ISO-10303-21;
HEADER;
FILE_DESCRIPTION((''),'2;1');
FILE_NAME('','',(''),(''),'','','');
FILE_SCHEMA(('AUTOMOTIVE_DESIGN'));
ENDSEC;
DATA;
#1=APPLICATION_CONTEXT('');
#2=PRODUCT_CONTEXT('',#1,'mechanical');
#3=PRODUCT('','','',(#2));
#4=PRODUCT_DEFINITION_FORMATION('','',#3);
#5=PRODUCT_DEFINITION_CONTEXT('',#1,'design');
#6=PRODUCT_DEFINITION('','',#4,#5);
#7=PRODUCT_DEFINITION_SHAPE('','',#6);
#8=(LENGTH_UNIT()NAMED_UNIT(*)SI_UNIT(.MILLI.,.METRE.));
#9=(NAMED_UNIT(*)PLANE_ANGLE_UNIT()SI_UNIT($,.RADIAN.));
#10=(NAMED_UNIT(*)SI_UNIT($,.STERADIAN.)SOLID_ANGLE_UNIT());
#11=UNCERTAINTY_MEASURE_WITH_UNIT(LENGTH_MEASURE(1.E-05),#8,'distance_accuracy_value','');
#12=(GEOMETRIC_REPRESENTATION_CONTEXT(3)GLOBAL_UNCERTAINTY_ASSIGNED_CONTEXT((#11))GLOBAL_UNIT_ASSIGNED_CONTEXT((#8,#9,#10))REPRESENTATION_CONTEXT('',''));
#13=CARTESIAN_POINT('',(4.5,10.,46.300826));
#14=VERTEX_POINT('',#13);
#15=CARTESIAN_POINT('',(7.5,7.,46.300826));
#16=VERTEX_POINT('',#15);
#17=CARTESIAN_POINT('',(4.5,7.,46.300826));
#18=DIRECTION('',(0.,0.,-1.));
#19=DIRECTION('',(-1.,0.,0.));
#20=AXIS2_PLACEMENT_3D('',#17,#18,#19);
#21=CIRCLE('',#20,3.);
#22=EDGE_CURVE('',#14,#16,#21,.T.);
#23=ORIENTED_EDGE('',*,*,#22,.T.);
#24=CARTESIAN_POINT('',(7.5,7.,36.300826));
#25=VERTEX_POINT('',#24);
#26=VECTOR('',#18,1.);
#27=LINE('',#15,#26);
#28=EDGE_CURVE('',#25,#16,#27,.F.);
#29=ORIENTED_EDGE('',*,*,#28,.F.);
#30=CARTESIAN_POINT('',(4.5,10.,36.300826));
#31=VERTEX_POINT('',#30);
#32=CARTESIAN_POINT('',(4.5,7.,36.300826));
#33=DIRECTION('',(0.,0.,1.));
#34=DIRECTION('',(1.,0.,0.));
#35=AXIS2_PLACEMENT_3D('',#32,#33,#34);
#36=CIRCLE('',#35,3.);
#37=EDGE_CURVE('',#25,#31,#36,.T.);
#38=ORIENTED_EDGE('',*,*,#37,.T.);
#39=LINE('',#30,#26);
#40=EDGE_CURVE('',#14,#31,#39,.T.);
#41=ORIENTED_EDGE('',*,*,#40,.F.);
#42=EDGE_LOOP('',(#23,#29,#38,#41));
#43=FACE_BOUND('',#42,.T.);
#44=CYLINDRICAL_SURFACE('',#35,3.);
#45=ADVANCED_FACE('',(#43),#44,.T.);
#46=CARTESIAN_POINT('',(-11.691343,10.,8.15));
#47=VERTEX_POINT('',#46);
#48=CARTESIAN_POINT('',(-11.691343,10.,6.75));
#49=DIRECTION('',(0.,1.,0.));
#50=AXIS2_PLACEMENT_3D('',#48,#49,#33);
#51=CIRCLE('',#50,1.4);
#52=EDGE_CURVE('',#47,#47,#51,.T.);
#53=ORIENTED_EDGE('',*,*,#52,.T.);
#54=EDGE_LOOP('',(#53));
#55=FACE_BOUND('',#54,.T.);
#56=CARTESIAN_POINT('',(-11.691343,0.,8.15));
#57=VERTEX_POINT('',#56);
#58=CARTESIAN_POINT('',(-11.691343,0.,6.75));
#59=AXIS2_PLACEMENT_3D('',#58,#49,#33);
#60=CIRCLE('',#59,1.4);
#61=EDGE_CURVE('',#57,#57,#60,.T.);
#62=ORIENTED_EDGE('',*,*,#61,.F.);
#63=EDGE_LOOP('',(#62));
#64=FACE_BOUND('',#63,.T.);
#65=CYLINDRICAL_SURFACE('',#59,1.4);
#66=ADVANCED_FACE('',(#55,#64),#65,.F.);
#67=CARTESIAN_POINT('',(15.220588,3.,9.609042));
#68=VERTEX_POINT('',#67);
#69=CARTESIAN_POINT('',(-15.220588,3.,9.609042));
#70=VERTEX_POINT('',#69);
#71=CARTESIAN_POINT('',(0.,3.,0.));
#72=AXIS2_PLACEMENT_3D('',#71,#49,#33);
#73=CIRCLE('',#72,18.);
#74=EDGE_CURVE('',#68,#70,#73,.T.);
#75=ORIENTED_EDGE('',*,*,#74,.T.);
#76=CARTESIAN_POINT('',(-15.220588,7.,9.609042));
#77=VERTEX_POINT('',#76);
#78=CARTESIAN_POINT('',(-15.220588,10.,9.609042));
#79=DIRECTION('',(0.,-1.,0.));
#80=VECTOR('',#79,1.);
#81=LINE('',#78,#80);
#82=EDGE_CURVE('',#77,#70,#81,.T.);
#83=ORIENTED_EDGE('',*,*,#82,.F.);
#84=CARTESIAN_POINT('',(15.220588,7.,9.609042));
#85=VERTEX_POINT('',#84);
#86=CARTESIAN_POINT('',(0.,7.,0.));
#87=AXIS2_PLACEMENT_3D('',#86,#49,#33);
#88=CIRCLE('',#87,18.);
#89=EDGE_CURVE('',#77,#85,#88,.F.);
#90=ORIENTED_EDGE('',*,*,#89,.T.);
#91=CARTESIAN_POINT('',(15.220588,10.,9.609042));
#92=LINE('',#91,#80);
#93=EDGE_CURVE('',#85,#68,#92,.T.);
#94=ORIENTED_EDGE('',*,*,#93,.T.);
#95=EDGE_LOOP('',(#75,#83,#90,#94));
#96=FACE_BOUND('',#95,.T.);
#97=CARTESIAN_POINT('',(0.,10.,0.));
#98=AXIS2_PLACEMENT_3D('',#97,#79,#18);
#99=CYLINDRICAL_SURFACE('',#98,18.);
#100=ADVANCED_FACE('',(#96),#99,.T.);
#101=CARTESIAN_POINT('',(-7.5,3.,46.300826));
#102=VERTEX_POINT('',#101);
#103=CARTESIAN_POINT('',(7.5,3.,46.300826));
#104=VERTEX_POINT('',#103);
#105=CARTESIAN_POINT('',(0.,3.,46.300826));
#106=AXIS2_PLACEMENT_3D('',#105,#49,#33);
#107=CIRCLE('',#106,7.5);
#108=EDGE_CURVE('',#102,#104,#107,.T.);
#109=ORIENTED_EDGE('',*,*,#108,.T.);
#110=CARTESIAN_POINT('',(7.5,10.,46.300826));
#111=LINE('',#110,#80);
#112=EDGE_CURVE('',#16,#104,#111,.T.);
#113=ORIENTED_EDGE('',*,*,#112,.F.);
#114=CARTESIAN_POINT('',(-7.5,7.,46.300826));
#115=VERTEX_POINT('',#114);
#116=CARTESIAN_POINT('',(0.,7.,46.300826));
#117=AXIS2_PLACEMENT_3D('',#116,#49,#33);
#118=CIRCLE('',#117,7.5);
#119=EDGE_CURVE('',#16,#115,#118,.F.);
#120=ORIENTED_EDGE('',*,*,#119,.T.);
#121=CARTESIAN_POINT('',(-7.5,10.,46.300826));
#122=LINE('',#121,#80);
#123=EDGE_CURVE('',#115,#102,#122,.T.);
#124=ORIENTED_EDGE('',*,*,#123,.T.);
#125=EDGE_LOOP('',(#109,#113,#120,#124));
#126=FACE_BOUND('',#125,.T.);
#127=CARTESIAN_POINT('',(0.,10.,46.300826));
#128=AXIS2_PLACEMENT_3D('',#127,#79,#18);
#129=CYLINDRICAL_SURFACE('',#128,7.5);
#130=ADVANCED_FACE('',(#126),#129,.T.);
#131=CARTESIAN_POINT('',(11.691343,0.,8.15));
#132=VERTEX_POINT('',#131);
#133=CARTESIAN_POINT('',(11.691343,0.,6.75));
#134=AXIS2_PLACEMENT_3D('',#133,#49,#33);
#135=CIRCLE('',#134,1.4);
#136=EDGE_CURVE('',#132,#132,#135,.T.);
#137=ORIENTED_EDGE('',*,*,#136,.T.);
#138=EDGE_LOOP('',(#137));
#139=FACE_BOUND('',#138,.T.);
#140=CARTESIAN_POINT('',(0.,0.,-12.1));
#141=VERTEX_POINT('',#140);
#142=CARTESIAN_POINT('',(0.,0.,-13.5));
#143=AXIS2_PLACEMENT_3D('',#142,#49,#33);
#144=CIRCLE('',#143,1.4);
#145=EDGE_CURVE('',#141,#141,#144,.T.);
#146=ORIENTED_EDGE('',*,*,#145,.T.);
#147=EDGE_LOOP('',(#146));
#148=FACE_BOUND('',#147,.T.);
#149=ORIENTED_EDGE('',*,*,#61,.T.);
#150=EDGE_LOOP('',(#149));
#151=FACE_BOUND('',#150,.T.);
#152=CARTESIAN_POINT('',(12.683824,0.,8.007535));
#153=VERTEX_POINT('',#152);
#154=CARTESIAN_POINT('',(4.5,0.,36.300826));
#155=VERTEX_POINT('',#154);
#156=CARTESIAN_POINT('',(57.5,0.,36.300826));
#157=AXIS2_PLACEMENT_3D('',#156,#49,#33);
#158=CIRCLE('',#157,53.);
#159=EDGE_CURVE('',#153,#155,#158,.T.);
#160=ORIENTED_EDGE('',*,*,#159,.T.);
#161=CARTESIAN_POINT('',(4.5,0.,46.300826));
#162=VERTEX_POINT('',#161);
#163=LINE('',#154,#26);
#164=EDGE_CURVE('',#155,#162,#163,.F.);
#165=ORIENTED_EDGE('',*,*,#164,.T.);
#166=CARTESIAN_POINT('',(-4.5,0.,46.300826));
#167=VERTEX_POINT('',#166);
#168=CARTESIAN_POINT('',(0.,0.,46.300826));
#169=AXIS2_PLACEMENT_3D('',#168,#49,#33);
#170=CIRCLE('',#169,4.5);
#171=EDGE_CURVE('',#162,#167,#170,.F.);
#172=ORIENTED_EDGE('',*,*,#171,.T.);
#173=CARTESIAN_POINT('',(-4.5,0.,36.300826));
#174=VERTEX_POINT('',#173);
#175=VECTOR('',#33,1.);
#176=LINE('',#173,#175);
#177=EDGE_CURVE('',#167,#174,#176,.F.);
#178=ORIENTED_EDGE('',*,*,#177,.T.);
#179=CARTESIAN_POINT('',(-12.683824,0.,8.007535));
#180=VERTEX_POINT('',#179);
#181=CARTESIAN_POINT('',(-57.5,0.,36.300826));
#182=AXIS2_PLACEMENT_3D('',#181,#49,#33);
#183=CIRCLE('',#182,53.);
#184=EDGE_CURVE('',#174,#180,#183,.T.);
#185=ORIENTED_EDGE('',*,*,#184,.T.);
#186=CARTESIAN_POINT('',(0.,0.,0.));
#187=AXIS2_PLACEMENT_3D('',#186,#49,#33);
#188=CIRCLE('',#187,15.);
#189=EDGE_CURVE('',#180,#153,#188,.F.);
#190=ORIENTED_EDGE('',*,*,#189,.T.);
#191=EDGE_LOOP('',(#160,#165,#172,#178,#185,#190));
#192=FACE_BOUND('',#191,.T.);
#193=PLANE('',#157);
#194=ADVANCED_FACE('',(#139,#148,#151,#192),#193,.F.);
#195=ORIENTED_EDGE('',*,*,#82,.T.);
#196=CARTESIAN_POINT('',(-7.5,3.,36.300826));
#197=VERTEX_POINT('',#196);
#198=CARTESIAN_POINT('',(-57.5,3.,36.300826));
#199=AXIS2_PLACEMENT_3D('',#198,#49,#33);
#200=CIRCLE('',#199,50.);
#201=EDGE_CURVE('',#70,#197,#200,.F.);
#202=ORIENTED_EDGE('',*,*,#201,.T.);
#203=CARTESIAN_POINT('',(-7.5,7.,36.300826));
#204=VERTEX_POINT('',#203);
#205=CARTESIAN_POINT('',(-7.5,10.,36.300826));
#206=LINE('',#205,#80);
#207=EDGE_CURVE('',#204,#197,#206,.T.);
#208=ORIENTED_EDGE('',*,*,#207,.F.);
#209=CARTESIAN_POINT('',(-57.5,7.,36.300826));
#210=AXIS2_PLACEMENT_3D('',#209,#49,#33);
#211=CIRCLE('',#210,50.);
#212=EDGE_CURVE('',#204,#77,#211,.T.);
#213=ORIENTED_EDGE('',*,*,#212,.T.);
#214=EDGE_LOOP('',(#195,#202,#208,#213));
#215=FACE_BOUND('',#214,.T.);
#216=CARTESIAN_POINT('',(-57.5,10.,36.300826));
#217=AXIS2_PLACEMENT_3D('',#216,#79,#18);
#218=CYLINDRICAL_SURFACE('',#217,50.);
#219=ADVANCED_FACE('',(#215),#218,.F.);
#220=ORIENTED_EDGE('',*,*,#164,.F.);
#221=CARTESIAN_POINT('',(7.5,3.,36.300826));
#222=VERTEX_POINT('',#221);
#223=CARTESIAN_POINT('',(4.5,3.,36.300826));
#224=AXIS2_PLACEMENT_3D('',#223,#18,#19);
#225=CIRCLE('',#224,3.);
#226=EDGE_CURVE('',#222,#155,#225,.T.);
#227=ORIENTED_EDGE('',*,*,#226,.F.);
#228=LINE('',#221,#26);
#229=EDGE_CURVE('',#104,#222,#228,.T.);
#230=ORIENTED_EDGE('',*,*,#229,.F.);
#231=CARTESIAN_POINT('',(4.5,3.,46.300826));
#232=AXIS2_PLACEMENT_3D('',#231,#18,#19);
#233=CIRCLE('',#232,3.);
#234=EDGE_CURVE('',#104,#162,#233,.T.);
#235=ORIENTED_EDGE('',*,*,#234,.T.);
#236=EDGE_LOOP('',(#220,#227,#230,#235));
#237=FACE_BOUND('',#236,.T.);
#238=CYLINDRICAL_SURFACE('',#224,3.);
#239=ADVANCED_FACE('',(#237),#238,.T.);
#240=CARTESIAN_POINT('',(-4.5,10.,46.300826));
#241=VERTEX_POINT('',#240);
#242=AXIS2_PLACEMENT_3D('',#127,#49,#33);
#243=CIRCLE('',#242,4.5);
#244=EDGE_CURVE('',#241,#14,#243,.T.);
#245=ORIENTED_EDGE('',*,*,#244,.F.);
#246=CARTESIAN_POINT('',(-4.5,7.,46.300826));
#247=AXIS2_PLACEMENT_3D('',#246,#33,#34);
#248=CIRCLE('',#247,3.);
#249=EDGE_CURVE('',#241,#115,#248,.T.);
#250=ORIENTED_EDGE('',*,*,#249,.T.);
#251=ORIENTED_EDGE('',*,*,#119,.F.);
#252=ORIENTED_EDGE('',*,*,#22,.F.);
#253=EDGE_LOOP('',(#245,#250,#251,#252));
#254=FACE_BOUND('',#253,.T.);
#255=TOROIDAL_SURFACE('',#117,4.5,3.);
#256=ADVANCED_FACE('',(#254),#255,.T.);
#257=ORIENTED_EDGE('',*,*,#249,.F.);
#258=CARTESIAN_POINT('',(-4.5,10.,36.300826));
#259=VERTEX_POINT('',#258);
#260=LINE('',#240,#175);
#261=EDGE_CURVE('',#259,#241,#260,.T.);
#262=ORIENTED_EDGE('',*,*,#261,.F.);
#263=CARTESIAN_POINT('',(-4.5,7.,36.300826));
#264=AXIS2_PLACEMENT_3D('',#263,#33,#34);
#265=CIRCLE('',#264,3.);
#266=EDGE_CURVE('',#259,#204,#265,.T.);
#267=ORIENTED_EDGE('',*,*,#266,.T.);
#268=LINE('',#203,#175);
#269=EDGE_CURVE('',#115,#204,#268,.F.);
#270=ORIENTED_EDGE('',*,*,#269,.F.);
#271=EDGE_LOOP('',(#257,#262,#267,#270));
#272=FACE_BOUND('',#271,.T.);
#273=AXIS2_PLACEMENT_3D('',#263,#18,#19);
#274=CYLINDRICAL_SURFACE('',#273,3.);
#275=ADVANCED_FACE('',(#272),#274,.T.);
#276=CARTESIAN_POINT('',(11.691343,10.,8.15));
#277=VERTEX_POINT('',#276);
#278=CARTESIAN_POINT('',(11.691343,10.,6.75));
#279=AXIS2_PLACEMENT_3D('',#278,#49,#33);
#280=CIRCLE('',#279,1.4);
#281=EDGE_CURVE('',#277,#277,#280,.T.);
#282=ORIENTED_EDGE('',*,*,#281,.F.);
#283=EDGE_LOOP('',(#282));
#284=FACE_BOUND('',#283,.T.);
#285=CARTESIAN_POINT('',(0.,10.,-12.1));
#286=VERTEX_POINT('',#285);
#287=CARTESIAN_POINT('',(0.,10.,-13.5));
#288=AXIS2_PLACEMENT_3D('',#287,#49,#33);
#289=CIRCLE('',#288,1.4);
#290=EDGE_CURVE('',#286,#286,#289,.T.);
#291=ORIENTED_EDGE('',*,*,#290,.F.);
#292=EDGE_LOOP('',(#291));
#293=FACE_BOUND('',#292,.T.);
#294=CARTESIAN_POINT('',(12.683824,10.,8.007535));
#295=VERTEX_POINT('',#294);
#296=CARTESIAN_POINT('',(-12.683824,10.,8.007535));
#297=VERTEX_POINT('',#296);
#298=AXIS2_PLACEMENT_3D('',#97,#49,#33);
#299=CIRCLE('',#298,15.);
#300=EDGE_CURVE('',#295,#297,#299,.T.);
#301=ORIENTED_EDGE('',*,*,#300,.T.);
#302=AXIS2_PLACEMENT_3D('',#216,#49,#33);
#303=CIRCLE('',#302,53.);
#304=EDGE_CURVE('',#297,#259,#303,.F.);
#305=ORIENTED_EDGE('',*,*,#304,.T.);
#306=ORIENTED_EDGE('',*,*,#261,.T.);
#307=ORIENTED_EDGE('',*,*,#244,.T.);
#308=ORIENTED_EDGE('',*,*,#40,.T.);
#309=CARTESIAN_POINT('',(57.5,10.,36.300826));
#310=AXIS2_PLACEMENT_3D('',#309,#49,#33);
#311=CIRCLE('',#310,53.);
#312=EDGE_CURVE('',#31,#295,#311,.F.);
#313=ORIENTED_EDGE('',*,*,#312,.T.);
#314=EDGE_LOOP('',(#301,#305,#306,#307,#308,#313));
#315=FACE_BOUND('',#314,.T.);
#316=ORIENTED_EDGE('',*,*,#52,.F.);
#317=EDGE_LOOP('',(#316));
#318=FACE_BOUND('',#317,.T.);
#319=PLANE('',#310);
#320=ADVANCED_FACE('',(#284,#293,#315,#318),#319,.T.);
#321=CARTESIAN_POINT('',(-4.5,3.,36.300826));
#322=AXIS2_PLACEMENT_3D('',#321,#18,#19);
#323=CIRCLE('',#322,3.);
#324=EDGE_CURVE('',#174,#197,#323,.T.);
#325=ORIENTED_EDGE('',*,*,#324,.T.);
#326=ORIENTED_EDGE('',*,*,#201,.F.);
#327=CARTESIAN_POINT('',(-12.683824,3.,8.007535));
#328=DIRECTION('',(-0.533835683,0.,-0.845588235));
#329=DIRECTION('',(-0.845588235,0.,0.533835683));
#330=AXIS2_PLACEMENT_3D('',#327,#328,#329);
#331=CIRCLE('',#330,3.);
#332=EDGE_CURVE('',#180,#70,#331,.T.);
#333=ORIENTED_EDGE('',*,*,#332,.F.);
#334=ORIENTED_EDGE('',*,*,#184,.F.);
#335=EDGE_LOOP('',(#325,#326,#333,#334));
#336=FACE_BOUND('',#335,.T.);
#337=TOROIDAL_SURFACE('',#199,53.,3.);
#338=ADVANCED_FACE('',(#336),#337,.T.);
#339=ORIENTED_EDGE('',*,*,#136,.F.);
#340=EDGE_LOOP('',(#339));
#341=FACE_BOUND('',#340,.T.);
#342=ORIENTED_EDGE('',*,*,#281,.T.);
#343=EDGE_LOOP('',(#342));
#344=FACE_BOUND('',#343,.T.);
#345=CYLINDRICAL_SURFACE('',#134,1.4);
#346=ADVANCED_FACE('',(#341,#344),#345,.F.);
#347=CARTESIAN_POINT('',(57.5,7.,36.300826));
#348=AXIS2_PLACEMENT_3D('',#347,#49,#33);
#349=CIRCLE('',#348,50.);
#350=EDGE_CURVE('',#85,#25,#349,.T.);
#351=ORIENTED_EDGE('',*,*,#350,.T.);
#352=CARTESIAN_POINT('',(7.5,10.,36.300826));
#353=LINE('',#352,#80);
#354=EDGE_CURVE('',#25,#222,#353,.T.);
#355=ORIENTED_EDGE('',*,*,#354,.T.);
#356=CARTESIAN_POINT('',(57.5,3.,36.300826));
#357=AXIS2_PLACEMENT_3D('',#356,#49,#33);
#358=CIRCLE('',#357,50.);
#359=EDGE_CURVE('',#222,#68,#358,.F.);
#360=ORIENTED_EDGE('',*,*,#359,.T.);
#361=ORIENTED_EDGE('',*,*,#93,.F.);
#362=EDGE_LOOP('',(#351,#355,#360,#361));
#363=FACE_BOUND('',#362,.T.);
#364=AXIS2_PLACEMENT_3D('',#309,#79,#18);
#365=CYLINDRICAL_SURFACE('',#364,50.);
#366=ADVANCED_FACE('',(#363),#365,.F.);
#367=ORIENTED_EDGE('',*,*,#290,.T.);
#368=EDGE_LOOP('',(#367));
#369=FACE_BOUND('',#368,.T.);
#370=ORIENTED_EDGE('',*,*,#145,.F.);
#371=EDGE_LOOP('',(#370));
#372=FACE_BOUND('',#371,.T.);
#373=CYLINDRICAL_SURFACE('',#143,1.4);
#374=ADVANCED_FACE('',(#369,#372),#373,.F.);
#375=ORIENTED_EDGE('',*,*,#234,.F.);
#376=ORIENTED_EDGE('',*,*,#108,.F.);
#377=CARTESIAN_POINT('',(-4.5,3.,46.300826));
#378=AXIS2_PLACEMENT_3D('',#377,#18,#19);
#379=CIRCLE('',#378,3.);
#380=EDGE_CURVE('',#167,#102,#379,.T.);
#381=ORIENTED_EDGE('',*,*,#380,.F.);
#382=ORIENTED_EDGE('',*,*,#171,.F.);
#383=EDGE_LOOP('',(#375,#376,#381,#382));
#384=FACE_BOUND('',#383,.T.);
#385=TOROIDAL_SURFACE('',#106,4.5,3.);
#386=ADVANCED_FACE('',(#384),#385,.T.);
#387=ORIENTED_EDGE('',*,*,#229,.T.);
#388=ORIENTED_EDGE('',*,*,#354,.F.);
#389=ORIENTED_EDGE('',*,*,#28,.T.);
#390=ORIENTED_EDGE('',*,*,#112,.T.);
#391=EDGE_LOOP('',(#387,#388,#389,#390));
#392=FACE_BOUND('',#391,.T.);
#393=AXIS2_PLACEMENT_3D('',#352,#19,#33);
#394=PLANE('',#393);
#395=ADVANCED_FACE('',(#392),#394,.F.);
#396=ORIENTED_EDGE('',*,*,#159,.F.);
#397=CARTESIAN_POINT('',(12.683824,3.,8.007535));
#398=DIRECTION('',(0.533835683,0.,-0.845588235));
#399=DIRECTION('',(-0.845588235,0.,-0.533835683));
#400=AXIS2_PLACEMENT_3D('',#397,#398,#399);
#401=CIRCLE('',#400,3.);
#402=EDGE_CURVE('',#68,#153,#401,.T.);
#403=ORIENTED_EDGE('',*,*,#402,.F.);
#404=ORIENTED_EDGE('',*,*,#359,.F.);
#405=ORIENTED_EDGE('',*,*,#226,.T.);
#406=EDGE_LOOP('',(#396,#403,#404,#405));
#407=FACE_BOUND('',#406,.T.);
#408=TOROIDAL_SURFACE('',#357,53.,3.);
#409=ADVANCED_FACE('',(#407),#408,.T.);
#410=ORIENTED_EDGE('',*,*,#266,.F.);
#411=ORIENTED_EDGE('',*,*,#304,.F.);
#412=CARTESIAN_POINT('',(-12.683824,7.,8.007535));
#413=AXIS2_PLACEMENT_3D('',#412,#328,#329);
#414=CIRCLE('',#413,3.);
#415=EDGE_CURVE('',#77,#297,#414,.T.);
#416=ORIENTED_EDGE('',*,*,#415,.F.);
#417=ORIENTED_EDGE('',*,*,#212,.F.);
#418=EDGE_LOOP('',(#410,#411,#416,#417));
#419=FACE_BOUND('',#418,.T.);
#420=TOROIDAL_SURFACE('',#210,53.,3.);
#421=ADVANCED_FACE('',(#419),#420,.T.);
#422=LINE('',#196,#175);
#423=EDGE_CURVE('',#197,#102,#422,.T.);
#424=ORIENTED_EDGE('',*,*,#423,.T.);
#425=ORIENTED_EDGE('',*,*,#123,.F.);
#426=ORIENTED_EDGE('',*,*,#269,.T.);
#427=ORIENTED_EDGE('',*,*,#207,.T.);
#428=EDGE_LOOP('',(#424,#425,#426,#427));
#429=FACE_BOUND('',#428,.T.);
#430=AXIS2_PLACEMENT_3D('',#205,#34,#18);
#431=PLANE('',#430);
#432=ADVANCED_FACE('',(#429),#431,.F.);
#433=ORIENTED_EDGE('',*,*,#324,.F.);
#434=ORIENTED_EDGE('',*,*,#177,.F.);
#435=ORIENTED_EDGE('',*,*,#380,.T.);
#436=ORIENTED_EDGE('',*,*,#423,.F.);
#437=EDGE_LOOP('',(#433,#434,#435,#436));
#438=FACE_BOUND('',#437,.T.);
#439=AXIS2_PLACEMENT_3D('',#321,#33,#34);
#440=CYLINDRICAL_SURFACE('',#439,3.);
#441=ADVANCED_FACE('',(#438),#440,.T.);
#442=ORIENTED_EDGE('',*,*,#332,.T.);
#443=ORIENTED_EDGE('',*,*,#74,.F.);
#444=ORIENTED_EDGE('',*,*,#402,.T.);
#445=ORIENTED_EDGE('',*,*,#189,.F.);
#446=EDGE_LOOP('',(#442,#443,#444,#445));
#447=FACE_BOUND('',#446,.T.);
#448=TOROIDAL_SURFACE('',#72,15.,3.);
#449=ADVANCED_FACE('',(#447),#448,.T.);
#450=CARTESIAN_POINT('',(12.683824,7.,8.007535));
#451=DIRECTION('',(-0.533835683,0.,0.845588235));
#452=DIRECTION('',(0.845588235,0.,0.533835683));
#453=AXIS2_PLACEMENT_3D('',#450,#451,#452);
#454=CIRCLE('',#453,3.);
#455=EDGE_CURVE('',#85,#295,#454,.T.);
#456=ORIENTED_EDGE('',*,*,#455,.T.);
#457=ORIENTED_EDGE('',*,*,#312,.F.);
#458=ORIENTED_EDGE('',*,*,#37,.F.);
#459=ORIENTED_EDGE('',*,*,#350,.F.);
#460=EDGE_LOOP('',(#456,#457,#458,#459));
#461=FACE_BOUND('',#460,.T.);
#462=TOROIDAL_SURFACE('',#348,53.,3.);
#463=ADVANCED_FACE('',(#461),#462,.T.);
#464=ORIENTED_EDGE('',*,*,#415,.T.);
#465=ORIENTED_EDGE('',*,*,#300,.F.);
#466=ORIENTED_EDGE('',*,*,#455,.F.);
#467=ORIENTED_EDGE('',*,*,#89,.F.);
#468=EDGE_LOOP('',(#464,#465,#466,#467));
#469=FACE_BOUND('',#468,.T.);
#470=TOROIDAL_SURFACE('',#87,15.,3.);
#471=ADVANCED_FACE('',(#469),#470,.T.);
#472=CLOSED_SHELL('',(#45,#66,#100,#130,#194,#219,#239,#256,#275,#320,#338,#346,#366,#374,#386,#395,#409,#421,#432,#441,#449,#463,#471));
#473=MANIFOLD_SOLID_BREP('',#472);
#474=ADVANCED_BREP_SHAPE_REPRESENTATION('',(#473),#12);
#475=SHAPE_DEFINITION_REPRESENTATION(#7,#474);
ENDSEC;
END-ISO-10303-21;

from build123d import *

# Parameters (mm, degrees)
BOSS_EXTRUDE1_DEPTH = 10
FILLET1_R           = 3
SKETCH2_R           = 1.4
CUT_EXTRUDE1_DEPTH  = 58.606674312


with BuildPart() as part:
    # Sketch1 → Boss-Extrude1 (new body)
    with BuildSketch(Plane(origin=(0, 0, 0), x_dir=(1, 0, 0), z_dir=(0, 1, 0))):
        with BuildLine():
            Line((7.5, -36.300826437), (7.5, -46.300826437))
            ThreePointArc((7.5, -46.300826437), (0, -53.800826437), (-7.5, -46.300826437))
            Line((-7.5, -46.300826437), (-7.5, -36.300826437))
            ThreePointArc((-7.5, -36.300826437), (-9.468913253, -22.407853181), (-15.220588235, -9.609042292))
            ThreePointArc((-15.220588235, -9.609042292), (0, 18), (15.220588235, -9.609042292))
            ThreePointArc((15.220588235, -9.609042292), (9.468913253, -22.407853181), (7.5, -36.300826437))
        make_face()
    extrude(amount=BOSS_EXTRUDE1_DEPTH)

    # Fillet1
    fillet1_edges = [part.edges().sort_by_distance(p)[0] for p in [
        (-9.468913253, 10, 22.407853181),
        (-7.5, 10, 41.300826437),
        (0, 10, 53.800826437),
        (7.5, 10, 41.300826437),
        (9.468913253, 10, 22.407853181),
        (7.5, 0, 41.300826437),
        (0, 0, 53.800826437),
        (-7.5, 0, 41.300826437),
        (-9.468913253, 0, 22.407853181),
        (0, 0, -18),
        (9.468913253, 0, 22.407853181),
        (0, 10, -18),
    ]]
    fillet(fillet1_edges, radius=FILLET1_R)

    # Sketch2 → Cut-Extrude1 (cut, through all)
    with BuildSketch(Plane(origin=(0, 10, 0), x_dir=(1, 0, 0), z_dir=(0, 1, 0))):
        with Locations(Location((0, 13.5, 0), (0, 0, 270))):
            Circle(SKETCH2_R)
        with Locations(Location((-11.691342951, -6.75, 0), (0, 0, 270))):
            Circle(SKETCH2_R)
        with Locations(Location((11.691342951, -6.75, 0), (0, 0, 270))):
            Circle(SKETCH2_R)
    extrude(amount=-CUT_EXTRUDE1_DEPTH, mode=Mode.SUBTRACT)


solid = part.part
